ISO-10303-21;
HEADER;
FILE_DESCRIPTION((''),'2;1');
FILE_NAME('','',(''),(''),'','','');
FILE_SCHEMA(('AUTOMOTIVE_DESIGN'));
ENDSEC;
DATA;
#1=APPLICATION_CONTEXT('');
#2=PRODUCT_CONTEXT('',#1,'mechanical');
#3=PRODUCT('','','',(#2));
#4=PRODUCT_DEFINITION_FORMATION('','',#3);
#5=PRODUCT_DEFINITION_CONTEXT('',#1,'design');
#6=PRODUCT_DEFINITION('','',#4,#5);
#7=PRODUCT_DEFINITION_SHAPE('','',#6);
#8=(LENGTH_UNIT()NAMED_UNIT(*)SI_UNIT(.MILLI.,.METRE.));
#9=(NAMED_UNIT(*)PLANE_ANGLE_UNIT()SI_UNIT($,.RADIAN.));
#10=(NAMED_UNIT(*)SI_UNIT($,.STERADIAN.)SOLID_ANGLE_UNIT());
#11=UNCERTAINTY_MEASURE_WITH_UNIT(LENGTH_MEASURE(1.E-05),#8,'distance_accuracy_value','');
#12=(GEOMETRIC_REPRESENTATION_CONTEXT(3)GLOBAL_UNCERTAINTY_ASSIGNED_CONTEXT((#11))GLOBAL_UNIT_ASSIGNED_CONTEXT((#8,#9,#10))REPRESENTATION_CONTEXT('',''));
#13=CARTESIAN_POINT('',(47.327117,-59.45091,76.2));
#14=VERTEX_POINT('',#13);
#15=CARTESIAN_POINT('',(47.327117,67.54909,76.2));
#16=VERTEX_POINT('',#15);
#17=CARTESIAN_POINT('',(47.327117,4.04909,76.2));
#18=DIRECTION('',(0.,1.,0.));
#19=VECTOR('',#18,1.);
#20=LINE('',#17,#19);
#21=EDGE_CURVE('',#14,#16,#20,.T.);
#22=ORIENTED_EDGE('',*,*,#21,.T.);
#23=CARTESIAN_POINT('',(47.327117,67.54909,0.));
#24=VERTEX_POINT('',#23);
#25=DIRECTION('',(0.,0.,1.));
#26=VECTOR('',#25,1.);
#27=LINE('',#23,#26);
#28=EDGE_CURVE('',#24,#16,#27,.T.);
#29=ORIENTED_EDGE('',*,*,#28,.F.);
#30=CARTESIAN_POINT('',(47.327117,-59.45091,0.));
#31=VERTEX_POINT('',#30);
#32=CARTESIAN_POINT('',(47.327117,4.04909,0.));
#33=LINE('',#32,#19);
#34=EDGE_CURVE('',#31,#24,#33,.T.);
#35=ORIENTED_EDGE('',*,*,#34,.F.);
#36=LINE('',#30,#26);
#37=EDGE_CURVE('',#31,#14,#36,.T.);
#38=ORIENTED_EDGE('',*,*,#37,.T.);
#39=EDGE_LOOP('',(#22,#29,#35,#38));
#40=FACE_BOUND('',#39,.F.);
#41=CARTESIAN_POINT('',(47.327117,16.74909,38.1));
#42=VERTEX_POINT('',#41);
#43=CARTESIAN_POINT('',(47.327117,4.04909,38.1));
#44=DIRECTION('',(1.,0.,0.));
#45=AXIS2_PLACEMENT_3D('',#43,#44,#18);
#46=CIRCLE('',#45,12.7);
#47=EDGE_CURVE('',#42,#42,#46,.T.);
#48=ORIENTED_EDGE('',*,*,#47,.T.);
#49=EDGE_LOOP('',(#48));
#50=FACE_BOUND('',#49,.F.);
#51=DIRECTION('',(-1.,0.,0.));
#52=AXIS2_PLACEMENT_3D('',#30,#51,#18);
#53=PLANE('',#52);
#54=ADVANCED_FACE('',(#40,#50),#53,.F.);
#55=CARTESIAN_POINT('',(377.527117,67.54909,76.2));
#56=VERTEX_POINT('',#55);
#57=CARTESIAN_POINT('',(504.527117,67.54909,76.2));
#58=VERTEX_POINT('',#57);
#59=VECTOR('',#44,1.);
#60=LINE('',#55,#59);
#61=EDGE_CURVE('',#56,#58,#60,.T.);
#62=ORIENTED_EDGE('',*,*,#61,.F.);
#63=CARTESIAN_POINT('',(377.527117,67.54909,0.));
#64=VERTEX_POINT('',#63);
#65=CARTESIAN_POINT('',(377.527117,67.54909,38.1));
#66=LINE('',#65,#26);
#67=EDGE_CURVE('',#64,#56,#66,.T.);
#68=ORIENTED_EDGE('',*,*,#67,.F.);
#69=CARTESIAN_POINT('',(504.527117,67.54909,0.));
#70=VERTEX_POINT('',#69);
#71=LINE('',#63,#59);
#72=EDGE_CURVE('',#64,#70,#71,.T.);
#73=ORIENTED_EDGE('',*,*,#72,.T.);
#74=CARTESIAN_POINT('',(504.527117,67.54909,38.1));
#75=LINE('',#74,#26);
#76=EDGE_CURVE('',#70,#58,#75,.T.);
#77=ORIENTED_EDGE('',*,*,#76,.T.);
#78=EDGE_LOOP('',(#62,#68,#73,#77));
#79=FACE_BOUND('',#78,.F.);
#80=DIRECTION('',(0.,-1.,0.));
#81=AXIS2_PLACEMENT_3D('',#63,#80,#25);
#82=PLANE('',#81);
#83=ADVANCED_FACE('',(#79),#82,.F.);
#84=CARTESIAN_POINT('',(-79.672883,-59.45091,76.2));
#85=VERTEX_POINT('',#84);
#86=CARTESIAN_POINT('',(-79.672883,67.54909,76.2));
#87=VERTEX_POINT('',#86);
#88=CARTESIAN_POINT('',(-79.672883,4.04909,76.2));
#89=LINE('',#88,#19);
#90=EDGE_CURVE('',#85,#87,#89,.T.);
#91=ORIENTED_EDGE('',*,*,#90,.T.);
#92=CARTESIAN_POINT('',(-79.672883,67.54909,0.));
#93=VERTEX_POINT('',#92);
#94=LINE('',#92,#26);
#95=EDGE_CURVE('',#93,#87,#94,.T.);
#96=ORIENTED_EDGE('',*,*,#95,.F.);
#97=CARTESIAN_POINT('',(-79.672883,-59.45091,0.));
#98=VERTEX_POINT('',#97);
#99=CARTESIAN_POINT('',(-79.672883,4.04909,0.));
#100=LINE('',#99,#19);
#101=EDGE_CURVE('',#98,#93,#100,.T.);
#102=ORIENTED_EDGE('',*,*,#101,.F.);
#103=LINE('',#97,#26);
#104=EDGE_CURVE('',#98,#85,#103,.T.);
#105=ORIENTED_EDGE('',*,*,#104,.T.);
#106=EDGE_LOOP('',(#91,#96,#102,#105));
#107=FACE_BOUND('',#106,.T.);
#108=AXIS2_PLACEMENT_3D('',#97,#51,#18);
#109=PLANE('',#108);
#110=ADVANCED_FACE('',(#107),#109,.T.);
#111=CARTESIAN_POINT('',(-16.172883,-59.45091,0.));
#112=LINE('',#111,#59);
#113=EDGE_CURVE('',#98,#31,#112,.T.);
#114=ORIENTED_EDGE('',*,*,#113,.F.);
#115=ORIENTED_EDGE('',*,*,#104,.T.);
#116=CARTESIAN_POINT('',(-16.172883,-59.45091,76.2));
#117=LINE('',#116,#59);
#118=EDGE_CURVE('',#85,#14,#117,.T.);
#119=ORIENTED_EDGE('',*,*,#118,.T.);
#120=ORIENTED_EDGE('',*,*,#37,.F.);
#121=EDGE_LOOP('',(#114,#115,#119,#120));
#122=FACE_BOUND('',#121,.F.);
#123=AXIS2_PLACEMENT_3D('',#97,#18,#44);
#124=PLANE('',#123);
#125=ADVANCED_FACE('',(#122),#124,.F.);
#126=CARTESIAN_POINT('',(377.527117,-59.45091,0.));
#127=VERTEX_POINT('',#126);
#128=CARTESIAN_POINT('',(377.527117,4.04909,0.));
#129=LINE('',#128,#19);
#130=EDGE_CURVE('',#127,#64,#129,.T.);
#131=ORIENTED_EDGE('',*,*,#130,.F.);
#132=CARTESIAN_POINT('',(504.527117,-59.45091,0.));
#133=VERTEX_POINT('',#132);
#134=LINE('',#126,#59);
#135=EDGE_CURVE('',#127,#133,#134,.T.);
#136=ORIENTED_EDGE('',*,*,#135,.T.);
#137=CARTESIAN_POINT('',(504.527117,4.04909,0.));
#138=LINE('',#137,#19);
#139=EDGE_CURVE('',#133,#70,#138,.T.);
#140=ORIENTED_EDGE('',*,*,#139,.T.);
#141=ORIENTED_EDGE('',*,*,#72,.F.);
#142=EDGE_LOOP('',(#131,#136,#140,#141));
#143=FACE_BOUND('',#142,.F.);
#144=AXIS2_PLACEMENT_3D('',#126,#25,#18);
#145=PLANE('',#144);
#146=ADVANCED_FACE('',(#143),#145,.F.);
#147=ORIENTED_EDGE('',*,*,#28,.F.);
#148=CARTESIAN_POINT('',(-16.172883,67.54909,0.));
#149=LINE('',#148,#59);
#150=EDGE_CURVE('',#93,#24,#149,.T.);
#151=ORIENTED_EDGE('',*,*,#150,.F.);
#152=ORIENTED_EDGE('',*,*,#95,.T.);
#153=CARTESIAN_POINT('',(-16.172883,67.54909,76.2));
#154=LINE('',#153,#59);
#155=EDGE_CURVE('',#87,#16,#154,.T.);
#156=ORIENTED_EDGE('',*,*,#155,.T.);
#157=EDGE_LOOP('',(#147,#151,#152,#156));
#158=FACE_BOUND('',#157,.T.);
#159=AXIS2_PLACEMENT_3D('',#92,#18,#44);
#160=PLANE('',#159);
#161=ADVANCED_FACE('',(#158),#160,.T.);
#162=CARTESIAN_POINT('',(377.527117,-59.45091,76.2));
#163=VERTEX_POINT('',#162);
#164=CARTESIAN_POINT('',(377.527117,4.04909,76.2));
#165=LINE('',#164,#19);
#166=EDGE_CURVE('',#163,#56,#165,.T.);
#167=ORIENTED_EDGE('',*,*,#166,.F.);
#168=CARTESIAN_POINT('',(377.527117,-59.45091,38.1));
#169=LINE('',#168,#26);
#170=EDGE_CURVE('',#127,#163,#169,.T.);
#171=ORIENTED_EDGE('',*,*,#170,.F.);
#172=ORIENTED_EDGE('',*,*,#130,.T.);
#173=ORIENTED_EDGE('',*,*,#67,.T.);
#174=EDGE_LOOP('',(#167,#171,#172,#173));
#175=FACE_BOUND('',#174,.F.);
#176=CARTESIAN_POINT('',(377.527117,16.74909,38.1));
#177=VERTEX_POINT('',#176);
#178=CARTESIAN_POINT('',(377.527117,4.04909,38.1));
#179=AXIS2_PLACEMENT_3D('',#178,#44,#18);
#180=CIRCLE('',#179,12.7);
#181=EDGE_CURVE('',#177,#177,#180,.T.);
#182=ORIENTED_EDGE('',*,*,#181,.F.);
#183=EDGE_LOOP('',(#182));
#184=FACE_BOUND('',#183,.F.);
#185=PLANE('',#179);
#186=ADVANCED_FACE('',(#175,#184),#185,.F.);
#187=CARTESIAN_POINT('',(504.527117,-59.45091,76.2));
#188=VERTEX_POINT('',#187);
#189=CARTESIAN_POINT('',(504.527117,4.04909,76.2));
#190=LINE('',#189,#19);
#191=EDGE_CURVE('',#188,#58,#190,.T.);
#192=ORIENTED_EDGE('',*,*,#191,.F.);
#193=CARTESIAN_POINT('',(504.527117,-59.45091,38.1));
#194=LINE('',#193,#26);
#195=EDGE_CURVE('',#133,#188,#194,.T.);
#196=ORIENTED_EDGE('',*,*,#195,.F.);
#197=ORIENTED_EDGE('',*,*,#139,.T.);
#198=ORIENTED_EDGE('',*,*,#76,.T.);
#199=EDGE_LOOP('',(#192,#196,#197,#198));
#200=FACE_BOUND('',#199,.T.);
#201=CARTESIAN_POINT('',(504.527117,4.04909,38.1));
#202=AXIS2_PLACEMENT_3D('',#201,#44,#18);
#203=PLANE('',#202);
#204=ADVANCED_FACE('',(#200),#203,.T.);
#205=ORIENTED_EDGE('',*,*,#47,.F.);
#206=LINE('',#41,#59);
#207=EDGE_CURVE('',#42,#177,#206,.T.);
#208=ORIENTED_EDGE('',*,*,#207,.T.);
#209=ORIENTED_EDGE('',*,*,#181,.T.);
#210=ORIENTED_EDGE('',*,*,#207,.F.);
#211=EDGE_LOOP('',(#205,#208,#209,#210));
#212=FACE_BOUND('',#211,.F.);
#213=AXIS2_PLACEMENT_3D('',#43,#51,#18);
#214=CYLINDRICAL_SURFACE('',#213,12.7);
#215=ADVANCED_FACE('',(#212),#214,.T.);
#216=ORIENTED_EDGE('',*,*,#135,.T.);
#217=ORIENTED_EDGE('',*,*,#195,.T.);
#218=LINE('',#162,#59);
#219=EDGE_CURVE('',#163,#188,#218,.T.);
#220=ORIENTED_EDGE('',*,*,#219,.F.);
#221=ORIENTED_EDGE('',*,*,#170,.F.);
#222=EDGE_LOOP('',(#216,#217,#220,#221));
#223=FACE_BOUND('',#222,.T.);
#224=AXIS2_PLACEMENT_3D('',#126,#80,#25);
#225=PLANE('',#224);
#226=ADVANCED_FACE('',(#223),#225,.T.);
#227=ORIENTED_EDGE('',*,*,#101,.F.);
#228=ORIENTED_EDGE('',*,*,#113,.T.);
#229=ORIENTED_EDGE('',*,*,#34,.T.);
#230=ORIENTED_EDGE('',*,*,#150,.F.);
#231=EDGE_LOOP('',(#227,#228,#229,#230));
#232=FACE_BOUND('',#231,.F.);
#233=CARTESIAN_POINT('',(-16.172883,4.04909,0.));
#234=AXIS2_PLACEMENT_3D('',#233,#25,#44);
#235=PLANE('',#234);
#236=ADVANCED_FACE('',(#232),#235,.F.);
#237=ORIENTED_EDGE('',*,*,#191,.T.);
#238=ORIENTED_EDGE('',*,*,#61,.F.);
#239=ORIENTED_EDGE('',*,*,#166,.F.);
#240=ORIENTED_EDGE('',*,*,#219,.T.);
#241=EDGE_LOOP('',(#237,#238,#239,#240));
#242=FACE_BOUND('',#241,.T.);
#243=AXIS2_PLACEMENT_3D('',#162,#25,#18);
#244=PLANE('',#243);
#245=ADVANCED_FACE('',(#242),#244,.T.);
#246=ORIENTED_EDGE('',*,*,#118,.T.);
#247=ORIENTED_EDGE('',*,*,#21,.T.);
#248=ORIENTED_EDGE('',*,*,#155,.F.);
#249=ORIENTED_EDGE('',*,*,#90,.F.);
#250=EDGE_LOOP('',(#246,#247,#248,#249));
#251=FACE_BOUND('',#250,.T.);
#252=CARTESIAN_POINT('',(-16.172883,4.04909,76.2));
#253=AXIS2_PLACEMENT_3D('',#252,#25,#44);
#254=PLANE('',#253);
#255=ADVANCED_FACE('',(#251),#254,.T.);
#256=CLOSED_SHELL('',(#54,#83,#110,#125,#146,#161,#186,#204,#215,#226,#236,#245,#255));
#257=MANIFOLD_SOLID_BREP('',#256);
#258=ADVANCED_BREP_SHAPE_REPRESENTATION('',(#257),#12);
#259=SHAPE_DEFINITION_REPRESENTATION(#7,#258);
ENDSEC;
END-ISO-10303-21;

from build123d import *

# Parameters (mm, degrees)
F0_W     = 127
F0_H     = 127
F1_DEPTH = 76.2
F3_DEPTH = 330.2
F4_W     = 127
F4_H     = 76.2
F4_R     = 12.7
F5_DEPTH = 127


with BuildPart() as f1:
    # F0 (on Top) → F1 (new body)
    with BuildSketch(Plane.XY):
        with Locations((-16.172883, 4.04909)):
            Rectangle(F0_W, F0_H)
    extrude(amount=F1_DEPTH)

    # F2 (on face) → F3 (join)
    with BuildSketch(Plane.YZ.offset(47.327117)):
        with BuildLine():
            ThreePointArc((-8.65091, 38.1), (4.04909, 25.4), (16.74909, 38.1))
            ThreePointArc((16.74909, 38.1), (4.04909, 50.8), (-8.65091, 38.1))
        make_face()
    extrude(amount=F3_DEPTH)

    # F4 (on face) → F5 (join)
    with BuildSketch(Plane.YZ.offset(377.527117)):
        with Locations((4.04909, 38.1)):
            Rectangle(F4_W, F4_H)
        with Locations((4.04909, 38.1)):
            Circle(F4_R, mode=Mode.SUBTRACT)
        with Locations((4.04909, 38.1)):
            Circle(F4_R)
    extrude(amount=F5_DEPTH)


solid = f1.part
